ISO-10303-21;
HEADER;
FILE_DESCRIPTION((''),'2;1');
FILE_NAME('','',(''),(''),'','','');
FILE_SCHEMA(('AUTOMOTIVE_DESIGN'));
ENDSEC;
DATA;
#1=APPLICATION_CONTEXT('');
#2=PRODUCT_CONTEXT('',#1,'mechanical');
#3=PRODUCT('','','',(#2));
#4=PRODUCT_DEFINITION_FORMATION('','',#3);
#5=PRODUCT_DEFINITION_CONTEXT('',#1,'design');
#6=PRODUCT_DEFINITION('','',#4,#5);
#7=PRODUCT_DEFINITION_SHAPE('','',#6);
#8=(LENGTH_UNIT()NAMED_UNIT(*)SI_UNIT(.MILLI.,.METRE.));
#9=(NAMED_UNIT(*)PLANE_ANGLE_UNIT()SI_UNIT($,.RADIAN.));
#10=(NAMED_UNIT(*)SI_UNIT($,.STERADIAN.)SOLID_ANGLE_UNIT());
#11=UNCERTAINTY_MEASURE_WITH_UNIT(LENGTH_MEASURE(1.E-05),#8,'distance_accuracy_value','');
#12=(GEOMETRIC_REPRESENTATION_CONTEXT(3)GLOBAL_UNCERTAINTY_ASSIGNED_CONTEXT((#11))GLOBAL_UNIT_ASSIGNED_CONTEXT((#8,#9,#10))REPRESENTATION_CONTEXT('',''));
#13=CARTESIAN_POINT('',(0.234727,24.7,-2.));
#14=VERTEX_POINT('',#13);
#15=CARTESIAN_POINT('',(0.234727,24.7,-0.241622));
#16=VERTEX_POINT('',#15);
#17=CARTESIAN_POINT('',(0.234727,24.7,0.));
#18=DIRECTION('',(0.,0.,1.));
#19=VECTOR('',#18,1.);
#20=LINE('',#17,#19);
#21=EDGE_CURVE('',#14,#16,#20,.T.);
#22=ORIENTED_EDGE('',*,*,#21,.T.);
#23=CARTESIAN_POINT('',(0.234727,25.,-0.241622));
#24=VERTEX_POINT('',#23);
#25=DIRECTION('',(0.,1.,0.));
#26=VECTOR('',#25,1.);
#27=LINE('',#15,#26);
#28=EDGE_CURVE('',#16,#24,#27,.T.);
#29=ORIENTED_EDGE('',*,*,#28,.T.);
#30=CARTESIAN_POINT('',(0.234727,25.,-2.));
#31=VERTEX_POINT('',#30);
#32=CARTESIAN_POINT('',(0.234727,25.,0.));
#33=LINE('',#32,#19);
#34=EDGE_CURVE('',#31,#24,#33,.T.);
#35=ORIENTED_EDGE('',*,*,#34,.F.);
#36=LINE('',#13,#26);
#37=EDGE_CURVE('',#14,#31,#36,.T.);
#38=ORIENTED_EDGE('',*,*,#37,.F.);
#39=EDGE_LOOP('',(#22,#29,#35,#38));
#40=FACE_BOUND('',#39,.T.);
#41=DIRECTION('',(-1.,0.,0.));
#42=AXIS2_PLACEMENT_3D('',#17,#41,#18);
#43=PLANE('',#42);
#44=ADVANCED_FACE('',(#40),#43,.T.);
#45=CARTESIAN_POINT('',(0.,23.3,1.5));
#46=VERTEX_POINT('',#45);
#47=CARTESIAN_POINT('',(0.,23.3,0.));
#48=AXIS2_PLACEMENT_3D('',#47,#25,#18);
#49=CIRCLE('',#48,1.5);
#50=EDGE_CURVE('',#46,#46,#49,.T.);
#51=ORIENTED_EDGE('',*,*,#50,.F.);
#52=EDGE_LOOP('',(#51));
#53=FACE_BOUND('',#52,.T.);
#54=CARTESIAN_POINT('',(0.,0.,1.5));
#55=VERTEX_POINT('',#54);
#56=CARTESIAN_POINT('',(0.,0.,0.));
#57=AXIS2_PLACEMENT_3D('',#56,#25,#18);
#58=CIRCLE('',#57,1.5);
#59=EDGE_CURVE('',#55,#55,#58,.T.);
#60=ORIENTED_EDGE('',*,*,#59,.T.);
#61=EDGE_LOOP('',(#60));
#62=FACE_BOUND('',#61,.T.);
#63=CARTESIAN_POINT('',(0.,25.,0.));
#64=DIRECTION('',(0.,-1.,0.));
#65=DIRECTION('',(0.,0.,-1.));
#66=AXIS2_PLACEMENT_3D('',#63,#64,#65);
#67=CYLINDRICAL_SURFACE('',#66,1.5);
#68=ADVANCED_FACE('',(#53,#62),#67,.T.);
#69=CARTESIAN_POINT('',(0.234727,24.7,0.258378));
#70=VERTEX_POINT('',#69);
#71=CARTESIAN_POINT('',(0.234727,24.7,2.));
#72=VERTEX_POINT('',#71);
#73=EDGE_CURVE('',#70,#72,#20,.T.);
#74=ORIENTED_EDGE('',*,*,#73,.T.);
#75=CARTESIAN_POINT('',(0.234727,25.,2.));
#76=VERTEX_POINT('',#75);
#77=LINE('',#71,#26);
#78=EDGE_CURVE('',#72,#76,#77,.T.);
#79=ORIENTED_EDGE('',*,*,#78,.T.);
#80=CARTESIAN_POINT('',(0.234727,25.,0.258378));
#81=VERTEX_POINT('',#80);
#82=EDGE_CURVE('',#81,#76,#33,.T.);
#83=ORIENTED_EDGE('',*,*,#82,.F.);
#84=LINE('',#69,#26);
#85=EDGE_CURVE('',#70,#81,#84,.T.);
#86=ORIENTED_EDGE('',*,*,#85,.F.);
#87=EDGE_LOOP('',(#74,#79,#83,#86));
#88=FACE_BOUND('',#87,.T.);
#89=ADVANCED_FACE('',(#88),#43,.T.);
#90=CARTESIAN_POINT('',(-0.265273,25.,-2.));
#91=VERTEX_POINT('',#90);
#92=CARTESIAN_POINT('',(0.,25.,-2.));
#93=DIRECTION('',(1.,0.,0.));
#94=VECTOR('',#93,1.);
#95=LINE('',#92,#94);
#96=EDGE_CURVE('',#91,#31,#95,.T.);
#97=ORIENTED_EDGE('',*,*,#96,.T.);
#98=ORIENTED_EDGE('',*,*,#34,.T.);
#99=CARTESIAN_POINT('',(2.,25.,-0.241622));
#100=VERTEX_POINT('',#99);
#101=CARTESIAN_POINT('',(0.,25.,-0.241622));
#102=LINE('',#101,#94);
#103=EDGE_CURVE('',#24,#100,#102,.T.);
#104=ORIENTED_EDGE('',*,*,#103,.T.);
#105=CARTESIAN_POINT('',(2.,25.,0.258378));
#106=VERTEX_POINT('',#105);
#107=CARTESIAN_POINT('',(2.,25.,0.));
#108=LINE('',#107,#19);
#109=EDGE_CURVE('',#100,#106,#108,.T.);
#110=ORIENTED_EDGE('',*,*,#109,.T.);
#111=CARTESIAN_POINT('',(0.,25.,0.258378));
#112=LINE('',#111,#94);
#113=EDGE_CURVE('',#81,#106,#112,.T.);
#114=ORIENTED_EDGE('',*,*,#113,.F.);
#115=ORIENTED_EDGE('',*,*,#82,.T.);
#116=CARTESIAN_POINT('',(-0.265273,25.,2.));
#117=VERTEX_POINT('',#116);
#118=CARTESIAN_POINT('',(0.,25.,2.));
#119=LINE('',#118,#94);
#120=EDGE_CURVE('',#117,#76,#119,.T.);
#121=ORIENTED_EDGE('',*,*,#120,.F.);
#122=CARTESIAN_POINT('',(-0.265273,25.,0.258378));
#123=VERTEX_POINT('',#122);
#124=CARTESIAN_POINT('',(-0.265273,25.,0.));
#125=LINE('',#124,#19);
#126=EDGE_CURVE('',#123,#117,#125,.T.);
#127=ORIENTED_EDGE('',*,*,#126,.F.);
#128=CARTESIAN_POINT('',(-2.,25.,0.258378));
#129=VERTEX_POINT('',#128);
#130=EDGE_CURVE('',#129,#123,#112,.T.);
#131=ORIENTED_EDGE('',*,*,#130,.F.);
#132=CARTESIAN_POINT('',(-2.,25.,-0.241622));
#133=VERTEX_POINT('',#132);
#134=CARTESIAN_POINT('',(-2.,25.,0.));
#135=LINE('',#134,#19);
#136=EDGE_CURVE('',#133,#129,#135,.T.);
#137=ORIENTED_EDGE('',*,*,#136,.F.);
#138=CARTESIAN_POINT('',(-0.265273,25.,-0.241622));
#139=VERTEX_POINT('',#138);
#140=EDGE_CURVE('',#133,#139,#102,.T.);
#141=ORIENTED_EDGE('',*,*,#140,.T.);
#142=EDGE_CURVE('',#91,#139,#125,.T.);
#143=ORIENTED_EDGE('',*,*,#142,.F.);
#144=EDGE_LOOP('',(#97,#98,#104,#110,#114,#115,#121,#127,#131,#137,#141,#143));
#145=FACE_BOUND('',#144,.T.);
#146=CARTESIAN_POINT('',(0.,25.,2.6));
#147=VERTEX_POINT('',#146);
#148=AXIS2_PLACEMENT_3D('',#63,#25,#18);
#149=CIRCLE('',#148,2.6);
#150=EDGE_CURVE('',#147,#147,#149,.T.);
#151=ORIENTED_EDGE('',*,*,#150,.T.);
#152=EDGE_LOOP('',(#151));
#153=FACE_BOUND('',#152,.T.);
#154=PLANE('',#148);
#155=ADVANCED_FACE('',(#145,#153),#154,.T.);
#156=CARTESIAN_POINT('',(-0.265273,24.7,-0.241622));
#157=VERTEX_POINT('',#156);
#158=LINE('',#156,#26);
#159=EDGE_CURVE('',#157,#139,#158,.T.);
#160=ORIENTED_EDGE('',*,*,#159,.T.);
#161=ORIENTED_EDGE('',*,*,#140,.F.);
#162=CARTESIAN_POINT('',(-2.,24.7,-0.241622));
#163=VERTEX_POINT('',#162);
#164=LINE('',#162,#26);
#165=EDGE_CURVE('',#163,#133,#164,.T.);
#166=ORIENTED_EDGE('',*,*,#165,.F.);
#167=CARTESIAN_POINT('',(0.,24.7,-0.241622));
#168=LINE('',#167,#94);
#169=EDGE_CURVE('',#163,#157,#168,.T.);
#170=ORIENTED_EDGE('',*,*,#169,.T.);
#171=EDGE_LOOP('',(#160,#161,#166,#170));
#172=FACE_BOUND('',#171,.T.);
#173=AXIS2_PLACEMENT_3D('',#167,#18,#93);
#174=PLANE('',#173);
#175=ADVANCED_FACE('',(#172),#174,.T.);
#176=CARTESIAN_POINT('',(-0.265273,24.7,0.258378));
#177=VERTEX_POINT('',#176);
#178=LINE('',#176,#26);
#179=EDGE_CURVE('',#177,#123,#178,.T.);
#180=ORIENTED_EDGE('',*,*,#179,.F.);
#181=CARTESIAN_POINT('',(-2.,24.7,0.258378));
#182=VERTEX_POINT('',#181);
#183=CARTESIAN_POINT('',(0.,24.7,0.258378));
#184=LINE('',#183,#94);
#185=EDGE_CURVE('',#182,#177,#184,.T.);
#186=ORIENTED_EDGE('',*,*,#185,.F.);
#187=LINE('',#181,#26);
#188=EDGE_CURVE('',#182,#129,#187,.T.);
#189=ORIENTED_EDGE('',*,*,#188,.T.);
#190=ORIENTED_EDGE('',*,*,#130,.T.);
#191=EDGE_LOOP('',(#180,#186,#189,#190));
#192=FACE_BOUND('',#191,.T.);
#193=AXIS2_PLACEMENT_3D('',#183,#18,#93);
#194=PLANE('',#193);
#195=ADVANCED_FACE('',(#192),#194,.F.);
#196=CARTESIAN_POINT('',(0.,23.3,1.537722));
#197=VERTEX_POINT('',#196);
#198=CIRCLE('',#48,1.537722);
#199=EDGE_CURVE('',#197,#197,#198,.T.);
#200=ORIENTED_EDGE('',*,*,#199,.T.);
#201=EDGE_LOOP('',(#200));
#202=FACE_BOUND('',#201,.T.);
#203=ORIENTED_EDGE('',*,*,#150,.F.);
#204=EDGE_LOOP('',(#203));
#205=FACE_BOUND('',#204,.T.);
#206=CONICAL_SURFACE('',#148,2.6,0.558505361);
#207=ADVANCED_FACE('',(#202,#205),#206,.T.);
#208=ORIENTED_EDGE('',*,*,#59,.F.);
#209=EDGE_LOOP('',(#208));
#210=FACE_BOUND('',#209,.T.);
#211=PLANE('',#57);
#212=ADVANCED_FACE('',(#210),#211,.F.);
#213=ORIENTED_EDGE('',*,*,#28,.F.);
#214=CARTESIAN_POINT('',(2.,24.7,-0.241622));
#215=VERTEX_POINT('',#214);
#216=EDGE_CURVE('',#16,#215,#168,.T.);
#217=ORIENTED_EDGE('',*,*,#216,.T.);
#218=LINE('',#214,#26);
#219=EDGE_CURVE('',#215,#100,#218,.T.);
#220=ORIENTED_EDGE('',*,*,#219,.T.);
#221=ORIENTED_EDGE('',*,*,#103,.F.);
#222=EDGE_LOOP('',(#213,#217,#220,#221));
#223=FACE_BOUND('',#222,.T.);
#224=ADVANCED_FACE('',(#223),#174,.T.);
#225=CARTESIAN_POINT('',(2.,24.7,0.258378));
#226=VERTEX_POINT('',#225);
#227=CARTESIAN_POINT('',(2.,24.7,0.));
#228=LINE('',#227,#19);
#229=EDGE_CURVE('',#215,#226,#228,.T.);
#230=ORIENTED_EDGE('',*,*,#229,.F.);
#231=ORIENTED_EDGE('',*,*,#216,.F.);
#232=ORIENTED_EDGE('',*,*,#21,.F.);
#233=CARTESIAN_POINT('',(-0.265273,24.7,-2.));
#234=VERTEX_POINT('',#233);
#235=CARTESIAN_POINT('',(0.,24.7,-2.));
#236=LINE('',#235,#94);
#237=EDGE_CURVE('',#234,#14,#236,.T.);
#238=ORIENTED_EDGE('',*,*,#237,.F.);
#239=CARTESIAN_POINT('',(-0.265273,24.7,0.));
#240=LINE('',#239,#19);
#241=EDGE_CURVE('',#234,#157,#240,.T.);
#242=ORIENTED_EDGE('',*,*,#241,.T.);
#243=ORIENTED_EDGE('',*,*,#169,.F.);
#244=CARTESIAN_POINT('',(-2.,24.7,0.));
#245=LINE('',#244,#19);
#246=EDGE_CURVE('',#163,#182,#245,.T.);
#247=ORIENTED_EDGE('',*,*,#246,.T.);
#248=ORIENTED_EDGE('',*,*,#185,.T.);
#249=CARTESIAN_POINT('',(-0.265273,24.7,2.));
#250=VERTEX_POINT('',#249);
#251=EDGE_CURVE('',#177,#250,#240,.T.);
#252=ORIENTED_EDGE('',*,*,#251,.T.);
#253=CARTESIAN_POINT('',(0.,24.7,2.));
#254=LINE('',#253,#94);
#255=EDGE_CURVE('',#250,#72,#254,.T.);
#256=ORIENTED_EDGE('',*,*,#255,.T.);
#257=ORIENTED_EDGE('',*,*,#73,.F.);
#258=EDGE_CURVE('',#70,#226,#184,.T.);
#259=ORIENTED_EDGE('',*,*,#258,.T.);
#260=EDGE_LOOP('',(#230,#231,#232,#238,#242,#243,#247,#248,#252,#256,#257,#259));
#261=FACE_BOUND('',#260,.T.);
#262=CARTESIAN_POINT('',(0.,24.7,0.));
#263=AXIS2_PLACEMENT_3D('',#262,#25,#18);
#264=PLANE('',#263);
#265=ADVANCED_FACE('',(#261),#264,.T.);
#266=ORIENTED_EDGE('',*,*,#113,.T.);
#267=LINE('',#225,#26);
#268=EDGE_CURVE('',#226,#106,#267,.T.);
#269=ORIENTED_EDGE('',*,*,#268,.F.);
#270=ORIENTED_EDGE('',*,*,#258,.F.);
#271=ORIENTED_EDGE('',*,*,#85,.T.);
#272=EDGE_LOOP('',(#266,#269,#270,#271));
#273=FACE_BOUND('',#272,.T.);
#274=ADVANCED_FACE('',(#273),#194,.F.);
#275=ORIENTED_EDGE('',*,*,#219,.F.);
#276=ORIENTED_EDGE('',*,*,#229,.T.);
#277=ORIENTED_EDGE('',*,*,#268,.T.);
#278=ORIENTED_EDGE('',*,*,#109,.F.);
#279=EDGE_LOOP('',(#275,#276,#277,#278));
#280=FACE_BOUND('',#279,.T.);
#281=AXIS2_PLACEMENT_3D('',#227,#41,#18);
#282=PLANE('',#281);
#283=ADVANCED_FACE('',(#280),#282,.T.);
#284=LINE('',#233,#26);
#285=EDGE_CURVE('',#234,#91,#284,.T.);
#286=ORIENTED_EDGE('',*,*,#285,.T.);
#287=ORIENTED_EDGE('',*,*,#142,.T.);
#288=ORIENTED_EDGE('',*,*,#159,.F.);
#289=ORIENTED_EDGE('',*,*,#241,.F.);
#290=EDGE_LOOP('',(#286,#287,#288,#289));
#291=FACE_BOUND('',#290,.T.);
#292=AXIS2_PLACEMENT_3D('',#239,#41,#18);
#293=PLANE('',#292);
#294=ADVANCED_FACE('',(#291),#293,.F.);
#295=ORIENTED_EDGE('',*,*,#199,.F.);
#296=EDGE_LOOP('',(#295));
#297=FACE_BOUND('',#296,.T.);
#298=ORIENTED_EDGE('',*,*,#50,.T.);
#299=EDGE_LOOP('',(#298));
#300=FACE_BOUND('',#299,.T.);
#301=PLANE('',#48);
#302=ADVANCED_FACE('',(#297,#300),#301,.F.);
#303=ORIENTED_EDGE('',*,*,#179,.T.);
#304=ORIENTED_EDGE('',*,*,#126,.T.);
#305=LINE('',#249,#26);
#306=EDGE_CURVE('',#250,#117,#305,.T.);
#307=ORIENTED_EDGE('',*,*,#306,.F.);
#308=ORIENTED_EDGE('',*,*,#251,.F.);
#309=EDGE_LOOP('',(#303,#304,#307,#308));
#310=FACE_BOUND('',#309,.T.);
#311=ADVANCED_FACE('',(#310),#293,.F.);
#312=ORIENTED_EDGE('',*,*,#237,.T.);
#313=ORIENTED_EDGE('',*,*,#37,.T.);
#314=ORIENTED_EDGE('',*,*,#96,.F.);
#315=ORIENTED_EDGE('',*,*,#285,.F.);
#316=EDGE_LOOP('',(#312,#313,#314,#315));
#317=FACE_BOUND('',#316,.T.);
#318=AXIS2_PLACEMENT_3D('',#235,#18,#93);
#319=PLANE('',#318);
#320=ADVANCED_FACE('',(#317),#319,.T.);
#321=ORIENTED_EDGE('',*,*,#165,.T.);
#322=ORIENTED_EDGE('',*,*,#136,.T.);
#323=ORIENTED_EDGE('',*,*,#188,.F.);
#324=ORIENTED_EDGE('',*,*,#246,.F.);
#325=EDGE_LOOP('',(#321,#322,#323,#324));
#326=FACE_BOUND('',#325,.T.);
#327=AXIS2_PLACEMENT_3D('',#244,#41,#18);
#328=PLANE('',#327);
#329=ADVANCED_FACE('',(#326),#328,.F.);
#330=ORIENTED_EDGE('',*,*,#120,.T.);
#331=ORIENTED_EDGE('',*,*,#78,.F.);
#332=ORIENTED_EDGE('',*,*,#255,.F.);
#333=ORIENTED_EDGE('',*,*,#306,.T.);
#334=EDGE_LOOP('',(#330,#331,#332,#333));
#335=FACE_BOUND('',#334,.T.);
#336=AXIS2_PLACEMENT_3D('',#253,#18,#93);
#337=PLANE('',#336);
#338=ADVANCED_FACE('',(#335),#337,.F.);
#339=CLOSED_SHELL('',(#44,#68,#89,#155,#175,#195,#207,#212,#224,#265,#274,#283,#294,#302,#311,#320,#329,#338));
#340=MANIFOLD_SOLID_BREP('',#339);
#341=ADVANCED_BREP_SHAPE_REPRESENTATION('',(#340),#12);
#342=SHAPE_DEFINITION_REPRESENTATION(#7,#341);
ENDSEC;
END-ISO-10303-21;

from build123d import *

# Parameters (mm, degrees)
SKETCH1_R           = 1.5
BOSS_EXTRUDE1_DEPTH = 25
SKETCH2_R           = 2.6
BOSS_EXTRUDE2_DEPTH = 1.7
BOSS_EXTRUDE2_TAPER = 32
SKETCH3_W           = 0.5
SKETCH3_H           = 1.758378485
SKETCH3_H_2         = 1.741621515
SKETCH3_W_2         = 1.734727157
SKETCH3_H_3         = 0.5
SKETCH3_W_3         = 1.765272843
CUT_EXTRUDE1_DEPTH  = 0.3


with BuildPart() as part:
    # Sketch1 → Boss-Extrude1 (new body)
    with BuildSketch(Plane(origin=(0, 0, 0), x_dir=(1, 0, 0), z_dir=(0, 1, 0))):
        Circle(SKETCH1_R)
    extrude(amount=BOSS_EXTRUDE1_DEPTH)

    # Sketch2 → Boss-Extrude2 (add)
    with BuildSketch(Plane(origin=(0, 25, 0), x_dir=(1, 0, 0), z_dir=(0, 1, 0))):
        Circle(SKETCH2_R)
    extrude(amount=-BOSS_EXTRUDE2_DEPTH, taper=BOSS_EXTRUDE2_TAPER)

    # Sketch3 → Cut-Extrude1 (cut)
    with BuildSketch(Plane(origin=(0, 25, 0), x_dir=(1, 0, 0), z_dir=(0, 1, 0))):
        with Locations((-0.015272843, 1.120810757)):
            Rectangle(SKETCH3_W, SKETCH3_H)
        with Locations((-0.015272843, -1.129189243)):
            Rectangle(SKETCH3_W, SKETCH3_H_2)
        with Locations((-1.132636421, -0.008378485)):
            Rectangle(SKETCH3_W_2, SKETCH3_H_3)
        with Locations((1.117363579, -0.008378485)):
            Rectangle(SKETCH3_W_3, SKETCH3_H_3)
        with Locations((-0.015272843, -0.008378485)):
            Rectangle(SKETCH3_W, SKETCH3_H_3)
    extrude(amount=-CUT_EXTRUDE1_DEPTH, mode=Mode.SUBTRACT)


solid = part.part
